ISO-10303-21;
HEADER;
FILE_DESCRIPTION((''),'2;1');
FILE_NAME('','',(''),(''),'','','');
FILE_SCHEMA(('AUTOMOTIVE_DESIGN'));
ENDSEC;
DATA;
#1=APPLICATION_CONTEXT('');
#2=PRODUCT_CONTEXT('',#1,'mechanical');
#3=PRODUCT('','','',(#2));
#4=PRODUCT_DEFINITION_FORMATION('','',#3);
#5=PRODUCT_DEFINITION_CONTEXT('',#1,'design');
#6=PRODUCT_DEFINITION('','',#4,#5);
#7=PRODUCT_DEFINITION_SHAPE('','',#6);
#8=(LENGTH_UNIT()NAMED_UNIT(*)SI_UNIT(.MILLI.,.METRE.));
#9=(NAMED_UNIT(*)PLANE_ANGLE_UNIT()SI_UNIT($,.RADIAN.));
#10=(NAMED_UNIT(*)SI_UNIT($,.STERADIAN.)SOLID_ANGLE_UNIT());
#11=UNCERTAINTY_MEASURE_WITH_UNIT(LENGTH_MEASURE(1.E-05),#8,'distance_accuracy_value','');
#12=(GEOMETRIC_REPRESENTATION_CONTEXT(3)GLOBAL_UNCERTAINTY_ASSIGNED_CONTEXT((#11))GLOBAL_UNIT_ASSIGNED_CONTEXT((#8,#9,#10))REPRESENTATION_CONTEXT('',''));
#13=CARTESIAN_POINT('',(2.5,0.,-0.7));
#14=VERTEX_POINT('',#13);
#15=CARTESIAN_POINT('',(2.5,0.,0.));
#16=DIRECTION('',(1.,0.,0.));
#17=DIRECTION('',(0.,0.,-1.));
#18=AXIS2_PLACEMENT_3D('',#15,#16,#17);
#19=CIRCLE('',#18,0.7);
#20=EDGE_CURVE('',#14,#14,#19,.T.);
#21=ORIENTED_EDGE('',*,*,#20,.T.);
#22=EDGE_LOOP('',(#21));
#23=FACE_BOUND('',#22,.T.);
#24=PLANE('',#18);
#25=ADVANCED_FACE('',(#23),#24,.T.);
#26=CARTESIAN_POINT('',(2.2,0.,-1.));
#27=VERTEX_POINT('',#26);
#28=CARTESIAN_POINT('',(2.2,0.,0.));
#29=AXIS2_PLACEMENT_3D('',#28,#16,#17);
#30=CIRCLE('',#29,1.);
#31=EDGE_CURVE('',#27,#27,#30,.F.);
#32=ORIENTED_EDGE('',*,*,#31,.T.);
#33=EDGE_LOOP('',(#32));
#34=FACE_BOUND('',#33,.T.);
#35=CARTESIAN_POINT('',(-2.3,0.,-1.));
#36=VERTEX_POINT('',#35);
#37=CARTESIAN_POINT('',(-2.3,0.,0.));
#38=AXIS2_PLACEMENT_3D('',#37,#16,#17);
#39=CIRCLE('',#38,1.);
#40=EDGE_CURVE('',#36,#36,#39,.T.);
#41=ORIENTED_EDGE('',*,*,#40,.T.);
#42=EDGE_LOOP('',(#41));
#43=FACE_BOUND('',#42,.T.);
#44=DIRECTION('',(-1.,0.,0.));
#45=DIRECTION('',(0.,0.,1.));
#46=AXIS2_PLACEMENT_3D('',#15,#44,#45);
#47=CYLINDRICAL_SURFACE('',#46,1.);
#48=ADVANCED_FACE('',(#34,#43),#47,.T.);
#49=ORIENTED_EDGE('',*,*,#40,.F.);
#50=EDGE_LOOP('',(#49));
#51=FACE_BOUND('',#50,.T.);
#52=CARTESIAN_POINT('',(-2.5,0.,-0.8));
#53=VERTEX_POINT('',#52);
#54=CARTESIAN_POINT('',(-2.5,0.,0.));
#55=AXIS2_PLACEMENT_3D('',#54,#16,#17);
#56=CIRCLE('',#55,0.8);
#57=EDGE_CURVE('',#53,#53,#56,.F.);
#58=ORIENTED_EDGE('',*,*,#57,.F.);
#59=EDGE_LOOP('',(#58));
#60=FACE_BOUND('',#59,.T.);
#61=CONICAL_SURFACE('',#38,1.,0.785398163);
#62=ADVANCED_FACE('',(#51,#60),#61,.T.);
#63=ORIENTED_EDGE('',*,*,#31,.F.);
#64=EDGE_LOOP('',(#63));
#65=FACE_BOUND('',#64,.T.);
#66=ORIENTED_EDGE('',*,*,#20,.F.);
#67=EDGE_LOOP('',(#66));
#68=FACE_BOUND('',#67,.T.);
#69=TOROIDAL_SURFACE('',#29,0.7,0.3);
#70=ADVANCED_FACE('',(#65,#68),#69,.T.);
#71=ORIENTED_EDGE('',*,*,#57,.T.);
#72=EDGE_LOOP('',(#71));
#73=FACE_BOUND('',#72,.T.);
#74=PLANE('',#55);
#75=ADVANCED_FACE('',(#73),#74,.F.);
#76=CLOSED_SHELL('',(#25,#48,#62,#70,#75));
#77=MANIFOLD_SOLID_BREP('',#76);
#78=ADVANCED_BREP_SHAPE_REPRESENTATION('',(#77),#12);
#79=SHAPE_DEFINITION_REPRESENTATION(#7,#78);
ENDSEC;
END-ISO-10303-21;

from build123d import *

# Parameters (mm, degrees)
SKETCH1_R           = 1
BOSS_EXTRUDE1_DEPTH = 2.5
FILLET1_R           = 0.3
CHAMFER1_SIZE       = 0.2


with BuildPart() as part:
    # Sketch1 → Boss-Extrude1 (new body, symmetric)
    with BuildSketch(Plane(origin=(0, 0, 0), x_dir=(0, -1, 0), z_dir=(1, 0, 0))):
        Circle(SKETCH1_R)
    extrude(amount=BOSS_EXTRUDE1_DEPTH, both=True)

    # Fillet1
    fillet1_edges = [part.edges().sort_by_distance(p)[0] for p in [
        (2.5, 1, 0),
    ]]
    fillet(fillet1_edges, radius=FILLET1_R)

    # Chamfer1
    chamfer1_edges = [part.edges().sort_by_distance(p)[0] for p in [
        (-2.5, 1, 0),
    ]]
    chamfer(chamfer1_edges, length=CHAMFER1_SIZE)


solid = part.part
